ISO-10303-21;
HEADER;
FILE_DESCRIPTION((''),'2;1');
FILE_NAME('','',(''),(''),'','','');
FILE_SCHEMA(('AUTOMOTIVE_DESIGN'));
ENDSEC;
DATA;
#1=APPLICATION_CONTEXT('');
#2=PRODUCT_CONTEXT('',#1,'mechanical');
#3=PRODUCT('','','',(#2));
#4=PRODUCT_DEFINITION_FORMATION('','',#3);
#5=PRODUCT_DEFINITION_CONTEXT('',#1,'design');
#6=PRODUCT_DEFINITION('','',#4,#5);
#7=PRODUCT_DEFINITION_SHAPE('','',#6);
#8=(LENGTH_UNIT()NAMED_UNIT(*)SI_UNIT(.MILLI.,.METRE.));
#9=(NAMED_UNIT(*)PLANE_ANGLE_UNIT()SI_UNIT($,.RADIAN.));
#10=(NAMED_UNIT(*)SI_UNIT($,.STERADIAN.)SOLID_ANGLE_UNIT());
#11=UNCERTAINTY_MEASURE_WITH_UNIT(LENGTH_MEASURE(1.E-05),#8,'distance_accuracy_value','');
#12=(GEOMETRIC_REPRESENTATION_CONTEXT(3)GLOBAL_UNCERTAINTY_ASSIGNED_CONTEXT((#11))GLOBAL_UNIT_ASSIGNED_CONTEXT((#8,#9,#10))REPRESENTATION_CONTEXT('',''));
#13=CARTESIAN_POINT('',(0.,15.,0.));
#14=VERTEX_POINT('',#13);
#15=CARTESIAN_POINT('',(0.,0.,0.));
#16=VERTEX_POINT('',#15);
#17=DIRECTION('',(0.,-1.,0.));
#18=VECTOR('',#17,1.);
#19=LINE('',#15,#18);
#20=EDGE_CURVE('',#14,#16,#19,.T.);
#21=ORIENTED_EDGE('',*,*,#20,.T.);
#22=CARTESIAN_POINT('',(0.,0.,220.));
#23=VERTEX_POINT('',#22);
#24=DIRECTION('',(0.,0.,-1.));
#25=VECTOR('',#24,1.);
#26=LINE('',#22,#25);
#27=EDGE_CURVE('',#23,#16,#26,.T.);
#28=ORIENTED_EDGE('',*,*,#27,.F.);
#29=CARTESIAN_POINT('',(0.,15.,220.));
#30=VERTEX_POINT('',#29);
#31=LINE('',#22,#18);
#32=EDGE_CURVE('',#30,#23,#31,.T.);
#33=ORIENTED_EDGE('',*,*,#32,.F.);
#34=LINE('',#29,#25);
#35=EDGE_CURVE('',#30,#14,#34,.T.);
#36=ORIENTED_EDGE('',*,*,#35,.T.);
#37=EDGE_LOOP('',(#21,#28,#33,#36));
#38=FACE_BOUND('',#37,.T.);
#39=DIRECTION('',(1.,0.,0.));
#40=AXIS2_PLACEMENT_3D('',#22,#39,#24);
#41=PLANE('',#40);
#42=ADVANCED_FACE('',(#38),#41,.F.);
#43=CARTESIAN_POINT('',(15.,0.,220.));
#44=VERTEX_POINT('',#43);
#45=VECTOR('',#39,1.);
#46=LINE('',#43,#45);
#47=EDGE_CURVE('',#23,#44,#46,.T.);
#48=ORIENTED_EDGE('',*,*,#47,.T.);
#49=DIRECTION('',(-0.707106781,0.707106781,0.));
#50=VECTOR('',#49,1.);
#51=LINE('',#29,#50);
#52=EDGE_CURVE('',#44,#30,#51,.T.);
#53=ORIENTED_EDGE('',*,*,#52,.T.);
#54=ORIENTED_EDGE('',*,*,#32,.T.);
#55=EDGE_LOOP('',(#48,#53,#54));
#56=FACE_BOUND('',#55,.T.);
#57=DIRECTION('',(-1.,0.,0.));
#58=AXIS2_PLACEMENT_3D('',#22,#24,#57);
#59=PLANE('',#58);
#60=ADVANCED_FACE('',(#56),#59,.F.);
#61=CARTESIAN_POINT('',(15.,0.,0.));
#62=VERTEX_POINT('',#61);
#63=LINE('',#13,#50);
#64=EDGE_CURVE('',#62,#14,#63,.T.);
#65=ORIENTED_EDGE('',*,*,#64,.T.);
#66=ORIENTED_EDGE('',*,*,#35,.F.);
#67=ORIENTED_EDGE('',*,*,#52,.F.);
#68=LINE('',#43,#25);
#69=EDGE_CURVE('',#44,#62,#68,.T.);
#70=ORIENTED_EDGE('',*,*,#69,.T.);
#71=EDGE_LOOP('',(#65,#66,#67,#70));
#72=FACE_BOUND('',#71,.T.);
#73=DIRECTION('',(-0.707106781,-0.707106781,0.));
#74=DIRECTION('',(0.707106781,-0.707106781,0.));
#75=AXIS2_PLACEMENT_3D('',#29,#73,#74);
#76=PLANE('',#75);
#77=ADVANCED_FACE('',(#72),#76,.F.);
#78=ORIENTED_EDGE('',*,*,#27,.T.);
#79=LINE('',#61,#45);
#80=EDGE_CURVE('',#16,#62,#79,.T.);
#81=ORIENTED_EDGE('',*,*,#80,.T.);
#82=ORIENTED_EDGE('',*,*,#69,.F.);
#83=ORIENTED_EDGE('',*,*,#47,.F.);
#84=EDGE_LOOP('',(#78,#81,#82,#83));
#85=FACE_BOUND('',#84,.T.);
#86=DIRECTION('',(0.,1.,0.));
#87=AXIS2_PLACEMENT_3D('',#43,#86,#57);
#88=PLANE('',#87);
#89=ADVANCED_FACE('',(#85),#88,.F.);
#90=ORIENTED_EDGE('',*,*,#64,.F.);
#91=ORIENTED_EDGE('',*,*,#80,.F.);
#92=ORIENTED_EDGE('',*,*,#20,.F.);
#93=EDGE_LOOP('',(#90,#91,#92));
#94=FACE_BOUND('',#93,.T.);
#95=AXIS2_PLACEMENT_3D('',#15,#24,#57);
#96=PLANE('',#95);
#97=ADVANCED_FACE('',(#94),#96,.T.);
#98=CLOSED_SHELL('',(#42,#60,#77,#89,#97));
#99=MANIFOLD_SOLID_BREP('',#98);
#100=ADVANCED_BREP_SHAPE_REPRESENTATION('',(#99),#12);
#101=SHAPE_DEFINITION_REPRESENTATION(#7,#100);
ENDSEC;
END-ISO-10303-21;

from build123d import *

# Parameters (mm, degrees)
BOSS_EXTRUDE1_DEPTH = 220


with BuildPart() as part:
    # Sketch2 → Boss-Extrude1 (new body)
    with BuildSketch(Plane.XY):
        Polygon((0, 0), (0, 15), (15, 0), align=None)
    extrude(amount=BOSS_EXTRUDE1_DEPTH)


solid = part.part
